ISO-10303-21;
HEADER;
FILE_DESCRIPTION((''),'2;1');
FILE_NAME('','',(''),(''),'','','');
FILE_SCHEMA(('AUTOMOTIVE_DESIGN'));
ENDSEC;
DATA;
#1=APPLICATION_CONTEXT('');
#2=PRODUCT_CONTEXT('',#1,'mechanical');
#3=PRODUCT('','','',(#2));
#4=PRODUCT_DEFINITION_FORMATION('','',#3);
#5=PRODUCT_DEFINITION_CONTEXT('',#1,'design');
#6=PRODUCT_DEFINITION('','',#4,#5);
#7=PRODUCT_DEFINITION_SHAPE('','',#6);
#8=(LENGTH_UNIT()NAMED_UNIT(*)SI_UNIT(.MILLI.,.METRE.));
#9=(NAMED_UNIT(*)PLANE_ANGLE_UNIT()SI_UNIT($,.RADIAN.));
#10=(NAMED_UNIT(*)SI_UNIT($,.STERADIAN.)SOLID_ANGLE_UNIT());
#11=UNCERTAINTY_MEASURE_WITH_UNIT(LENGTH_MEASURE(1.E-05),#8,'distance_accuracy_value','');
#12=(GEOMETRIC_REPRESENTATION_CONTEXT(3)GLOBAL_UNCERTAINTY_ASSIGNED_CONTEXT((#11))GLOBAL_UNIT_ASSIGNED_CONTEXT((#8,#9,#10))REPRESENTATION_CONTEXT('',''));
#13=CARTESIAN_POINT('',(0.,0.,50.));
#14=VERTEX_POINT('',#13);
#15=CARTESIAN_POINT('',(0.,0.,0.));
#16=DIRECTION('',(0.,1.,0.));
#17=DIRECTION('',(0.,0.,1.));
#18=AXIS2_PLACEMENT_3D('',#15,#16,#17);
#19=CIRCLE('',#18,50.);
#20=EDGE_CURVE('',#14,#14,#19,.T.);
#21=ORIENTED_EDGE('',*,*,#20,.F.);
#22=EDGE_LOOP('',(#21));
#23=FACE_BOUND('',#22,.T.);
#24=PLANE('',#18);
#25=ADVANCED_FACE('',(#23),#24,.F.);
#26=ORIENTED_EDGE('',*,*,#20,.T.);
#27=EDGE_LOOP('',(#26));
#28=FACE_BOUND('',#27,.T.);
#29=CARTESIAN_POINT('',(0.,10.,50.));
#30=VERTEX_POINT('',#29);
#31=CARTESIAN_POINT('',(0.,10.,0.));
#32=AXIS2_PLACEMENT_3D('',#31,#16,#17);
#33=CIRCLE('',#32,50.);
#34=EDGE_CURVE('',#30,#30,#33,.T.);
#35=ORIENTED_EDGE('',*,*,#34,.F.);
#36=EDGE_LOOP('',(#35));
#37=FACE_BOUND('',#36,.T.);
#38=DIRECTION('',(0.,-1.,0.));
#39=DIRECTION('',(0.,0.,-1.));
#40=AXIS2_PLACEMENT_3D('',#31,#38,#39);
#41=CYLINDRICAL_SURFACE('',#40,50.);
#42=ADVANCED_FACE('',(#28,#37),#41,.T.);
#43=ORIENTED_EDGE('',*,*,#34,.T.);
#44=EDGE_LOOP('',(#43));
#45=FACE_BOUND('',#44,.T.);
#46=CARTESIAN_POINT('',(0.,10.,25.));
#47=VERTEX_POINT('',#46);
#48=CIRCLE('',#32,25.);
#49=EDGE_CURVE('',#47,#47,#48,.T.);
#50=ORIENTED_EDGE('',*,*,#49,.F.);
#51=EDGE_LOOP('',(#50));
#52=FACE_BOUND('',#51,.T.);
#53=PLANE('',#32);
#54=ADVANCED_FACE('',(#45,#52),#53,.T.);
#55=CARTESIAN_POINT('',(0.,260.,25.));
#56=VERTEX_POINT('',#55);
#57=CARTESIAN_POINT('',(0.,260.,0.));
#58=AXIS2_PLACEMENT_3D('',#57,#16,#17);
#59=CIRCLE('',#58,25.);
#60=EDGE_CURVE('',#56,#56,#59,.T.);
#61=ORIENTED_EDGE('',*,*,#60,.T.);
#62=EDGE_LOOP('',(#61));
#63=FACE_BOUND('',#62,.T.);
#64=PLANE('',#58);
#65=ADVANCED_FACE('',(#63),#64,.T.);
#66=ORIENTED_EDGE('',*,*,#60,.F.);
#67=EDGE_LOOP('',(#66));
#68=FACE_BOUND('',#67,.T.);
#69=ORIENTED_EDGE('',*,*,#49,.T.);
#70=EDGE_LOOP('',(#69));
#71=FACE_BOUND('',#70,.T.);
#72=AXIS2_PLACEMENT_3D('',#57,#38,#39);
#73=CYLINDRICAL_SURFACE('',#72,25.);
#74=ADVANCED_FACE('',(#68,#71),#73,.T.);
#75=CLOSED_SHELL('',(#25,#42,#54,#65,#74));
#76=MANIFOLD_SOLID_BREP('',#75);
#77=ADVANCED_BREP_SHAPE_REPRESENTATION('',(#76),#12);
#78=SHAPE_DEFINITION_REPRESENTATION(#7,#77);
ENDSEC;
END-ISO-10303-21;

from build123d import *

# Parameters (mm, degrees)
SKETCH1_R           = 50
BOSS_EXTRUDE1_DEPTH = 10
SKETCH2_R           = 25
BOSS_EXTRUDE2_DEPTH = 250


with BuildPart() as part:
    # Sketch1 → Boss-Extrude1 (new body)
    with BuildSketch(Plane(origin=(0, 0, 0), x_dir=(1, 0, 0), z_dir=(0, 1, 0))):
        Circle(SKETCH1_R)
    extrude(amount=BOSS_EXTRUDE1_DEPTH)

    # Sketch2 → Boss-Extrude2 (add)
    with BuildSketch(Plane(origin=(0, 10, 0), x_dir=(1, 0, 0), z_dir=(0, 1, 0))):
        Circle(SKETCH2_R)
    extrude(amount=BOSS_EXTRUDE2_DEPTH)


solid = part.part
